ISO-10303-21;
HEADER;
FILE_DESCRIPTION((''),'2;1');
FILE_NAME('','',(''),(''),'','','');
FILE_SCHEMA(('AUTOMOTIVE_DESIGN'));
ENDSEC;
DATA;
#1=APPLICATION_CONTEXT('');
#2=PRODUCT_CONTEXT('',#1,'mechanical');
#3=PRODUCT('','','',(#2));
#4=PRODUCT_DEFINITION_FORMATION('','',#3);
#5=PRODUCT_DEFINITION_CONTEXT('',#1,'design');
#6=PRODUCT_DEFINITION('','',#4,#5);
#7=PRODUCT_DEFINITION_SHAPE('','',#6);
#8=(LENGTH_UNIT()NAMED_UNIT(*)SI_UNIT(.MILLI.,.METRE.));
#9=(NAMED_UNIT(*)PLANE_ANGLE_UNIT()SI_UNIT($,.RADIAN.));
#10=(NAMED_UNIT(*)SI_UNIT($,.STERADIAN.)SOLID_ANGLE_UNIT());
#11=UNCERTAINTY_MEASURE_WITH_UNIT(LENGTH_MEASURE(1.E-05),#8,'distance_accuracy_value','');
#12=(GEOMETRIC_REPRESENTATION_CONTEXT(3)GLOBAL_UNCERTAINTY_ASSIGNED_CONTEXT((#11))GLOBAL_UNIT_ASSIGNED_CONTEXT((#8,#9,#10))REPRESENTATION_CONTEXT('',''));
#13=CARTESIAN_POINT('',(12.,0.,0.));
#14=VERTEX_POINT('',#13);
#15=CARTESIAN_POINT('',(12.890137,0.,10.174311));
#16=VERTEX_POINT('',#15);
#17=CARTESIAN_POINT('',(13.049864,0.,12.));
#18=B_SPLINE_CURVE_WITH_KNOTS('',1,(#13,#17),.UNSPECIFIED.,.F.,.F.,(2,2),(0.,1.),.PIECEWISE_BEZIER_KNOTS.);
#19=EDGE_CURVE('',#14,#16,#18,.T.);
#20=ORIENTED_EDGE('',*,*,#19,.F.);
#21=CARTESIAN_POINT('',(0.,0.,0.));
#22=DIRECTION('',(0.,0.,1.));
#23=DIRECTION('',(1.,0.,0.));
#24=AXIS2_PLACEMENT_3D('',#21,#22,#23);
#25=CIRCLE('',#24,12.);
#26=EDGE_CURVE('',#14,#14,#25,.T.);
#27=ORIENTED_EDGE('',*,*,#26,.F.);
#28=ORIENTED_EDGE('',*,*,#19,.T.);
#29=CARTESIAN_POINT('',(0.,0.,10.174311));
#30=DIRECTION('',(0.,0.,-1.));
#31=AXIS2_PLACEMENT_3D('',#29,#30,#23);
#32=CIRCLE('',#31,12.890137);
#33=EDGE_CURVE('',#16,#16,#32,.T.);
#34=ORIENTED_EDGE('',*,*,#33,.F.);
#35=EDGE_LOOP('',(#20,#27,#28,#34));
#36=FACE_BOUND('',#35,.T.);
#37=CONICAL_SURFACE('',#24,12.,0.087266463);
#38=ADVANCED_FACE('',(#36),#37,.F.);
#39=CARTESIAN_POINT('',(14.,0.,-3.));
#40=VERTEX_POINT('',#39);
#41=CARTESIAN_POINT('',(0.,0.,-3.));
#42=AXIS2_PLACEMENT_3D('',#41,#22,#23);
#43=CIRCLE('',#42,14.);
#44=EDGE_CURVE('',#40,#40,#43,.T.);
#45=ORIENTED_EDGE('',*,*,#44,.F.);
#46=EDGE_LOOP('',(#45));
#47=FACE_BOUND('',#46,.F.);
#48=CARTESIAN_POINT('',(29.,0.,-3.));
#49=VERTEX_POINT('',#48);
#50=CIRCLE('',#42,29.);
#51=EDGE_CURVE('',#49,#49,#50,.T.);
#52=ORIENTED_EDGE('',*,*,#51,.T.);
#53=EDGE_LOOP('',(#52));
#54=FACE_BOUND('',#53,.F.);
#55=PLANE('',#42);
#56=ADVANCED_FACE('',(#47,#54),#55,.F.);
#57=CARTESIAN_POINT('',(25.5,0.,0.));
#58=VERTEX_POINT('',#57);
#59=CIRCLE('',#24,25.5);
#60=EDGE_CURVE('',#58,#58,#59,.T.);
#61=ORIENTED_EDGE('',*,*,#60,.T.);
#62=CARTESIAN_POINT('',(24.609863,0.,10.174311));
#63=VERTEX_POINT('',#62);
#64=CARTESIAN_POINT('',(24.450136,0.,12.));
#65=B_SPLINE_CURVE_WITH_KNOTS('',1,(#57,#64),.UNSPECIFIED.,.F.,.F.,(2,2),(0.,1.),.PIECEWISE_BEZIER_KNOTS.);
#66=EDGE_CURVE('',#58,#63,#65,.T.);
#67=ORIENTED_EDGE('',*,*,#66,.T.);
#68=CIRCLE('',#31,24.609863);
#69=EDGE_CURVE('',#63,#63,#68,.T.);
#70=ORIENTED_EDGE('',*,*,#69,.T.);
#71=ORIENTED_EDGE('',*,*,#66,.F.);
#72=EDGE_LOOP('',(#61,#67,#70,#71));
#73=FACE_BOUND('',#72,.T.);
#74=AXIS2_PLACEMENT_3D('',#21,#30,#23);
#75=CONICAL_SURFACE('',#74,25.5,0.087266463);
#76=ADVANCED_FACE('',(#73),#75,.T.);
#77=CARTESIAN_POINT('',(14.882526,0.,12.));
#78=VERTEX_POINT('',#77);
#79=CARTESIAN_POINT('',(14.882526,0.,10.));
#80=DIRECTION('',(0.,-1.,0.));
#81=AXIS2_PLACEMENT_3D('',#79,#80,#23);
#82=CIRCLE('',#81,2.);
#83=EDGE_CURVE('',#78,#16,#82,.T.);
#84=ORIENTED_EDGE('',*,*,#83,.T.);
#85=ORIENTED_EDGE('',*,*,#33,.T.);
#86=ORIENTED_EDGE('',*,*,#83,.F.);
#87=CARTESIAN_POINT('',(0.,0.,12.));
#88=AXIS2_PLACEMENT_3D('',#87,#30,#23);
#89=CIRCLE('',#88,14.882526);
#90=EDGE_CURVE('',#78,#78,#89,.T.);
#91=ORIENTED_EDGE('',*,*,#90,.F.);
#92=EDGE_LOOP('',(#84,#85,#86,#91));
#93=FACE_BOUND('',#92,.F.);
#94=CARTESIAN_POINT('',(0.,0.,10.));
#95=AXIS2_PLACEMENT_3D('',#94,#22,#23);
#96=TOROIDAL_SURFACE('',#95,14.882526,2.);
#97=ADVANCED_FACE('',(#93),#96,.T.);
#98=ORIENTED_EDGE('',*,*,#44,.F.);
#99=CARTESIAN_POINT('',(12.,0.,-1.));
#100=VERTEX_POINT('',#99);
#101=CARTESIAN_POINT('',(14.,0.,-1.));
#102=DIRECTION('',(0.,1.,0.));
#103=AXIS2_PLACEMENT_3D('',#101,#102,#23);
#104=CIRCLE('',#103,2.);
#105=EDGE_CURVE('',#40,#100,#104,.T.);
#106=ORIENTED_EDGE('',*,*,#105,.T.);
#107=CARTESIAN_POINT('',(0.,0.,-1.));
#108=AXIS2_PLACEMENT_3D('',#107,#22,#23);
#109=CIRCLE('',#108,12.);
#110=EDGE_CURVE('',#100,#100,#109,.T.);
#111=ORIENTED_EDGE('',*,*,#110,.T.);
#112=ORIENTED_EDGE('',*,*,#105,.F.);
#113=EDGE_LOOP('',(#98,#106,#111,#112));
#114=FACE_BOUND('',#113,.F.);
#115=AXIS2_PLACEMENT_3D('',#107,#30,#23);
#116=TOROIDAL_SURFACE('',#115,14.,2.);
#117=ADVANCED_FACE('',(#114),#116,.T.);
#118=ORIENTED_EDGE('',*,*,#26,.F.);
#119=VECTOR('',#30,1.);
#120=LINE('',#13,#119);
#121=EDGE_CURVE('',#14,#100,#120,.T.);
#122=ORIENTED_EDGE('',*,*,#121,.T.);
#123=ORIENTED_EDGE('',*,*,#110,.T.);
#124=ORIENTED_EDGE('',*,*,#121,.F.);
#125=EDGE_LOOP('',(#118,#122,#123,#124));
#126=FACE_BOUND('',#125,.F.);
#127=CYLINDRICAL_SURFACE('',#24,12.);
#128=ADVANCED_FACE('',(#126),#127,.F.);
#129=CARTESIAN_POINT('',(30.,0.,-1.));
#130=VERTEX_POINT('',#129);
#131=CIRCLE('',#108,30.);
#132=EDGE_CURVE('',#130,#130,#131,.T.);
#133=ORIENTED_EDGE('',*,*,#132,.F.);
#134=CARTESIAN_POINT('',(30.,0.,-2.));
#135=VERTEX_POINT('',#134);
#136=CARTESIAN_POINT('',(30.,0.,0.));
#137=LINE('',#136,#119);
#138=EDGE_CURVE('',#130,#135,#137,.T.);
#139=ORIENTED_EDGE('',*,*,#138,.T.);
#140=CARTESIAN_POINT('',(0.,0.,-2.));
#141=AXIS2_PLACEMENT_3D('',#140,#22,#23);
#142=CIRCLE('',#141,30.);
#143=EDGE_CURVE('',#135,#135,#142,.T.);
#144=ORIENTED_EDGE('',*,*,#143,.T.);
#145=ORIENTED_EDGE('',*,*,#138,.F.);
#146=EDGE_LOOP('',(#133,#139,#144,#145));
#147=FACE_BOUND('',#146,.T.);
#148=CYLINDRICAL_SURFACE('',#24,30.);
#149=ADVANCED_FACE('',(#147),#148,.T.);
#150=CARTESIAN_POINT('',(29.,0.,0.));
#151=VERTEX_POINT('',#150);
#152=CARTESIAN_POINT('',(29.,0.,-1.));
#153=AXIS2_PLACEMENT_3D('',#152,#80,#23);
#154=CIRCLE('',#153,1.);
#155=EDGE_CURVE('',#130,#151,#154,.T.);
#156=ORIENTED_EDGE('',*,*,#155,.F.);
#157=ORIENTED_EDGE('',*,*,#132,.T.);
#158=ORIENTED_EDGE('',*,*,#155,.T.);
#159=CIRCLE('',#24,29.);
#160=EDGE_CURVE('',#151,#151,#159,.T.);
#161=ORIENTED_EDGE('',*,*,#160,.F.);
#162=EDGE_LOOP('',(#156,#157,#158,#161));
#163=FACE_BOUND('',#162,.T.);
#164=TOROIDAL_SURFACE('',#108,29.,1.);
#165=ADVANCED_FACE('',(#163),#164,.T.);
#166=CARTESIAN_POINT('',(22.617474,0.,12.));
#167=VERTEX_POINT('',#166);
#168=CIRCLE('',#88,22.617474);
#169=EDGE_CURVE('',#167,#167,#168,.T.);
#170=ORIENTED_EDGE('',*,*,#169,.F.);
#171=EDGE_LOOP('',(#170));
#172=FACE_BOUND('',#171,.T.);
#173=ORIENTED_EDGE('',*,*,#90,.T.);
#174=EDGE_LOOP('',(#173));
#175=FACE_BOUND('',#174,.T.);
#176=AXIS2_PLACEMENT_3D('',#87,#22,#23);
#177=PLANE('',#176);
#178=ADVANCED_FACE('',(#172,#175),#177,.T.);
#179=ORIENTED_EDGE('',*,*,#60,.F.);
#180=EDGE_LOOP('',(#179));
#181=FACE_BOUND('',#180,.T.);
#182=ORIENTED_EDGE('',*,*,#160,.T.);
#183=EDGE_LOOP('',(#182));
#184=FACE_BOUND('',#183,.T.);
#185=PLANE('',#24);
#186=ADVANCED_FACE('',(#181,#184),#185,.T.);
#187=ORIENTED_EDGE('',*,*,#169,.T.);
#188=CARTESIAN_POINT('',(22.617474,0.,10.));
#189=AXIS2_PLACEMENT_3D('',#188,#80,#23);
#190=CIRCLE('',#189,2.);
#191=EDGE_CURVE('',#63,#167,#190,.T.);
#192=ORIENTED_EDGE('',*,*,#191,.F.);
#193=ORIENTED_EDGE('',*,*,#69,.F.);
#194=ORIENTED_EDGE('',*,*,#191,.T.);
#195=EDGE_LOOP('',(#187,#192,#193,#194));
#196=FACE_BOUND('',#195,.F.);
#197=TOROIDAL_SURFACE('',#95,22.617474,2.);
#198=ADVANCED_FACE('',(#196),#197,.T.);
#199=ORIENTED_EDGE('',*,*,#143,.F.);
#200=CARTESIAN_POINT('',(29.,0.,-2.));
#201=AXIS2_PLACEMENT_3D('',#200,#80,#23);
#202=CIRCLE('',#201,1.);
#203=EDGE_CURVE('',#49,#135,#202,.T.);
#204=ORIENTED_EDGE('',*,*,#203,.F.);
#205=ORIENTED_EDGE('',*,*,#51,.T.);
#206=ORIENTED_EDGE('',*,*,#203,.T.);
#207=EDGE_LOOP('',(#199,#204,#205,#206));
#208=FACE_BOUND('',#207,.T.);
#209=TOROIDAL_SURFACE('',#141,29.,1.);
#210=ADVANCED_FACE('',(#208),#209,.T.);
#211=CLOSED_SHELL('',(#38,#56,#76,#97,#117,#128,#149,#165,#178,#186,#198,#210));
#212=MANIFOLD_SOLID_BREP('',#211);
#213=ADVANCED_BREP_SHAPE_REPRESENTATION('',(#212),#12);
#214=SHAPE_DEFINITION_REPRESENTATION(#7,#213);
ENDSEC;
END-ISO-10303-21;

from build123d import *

# Parameters (mm, degrees)
F0_R     = 25.5
F0_R_2   = 12
F1_DEPTH = 12
F1_TAPER = 5
F2_R     = 30
F2_R_2   = 12
F3_DEPTH = 3
F4_R     = 2
F5_R     = 1


with BuildPart() as f1:
    # F0 (on Top) → F1 (new body)
    with BuildSketch(Plane.XY):
        Circle(F0_R)
        Circle(F0_R_2, mode=Mode.SUBTRACT)
    extrude(amount=F1_DEPTH, taper=F1_TAPER)

    # F2 (on Top) → F3 (join)
    with BuildSketch(Plane.XY):
        Circle(F2_R)
        Circle(F2_R_2, mode=Mode.SUBTRACT)
    extrude(amount=-F3_DEPTH)

    # F4
    f4_edges = [f1.edges().sort_by_distance(p)[0] for p in [
        (-24.450136, 0, 12),
        (-12, 0, -3),
        (-13.049864, 0, 12),
    ]]
    fillet(f4_edges, radius=F4_R)

    # F5
    f5_edges = [f1.edges().sort_by_distance(p)[0] for p in [
        (-30, 0, -3),
        (-30, 0, 0),
    ]]
    fillet(f5_edges, radius=F5_R)


solid = f1.part
